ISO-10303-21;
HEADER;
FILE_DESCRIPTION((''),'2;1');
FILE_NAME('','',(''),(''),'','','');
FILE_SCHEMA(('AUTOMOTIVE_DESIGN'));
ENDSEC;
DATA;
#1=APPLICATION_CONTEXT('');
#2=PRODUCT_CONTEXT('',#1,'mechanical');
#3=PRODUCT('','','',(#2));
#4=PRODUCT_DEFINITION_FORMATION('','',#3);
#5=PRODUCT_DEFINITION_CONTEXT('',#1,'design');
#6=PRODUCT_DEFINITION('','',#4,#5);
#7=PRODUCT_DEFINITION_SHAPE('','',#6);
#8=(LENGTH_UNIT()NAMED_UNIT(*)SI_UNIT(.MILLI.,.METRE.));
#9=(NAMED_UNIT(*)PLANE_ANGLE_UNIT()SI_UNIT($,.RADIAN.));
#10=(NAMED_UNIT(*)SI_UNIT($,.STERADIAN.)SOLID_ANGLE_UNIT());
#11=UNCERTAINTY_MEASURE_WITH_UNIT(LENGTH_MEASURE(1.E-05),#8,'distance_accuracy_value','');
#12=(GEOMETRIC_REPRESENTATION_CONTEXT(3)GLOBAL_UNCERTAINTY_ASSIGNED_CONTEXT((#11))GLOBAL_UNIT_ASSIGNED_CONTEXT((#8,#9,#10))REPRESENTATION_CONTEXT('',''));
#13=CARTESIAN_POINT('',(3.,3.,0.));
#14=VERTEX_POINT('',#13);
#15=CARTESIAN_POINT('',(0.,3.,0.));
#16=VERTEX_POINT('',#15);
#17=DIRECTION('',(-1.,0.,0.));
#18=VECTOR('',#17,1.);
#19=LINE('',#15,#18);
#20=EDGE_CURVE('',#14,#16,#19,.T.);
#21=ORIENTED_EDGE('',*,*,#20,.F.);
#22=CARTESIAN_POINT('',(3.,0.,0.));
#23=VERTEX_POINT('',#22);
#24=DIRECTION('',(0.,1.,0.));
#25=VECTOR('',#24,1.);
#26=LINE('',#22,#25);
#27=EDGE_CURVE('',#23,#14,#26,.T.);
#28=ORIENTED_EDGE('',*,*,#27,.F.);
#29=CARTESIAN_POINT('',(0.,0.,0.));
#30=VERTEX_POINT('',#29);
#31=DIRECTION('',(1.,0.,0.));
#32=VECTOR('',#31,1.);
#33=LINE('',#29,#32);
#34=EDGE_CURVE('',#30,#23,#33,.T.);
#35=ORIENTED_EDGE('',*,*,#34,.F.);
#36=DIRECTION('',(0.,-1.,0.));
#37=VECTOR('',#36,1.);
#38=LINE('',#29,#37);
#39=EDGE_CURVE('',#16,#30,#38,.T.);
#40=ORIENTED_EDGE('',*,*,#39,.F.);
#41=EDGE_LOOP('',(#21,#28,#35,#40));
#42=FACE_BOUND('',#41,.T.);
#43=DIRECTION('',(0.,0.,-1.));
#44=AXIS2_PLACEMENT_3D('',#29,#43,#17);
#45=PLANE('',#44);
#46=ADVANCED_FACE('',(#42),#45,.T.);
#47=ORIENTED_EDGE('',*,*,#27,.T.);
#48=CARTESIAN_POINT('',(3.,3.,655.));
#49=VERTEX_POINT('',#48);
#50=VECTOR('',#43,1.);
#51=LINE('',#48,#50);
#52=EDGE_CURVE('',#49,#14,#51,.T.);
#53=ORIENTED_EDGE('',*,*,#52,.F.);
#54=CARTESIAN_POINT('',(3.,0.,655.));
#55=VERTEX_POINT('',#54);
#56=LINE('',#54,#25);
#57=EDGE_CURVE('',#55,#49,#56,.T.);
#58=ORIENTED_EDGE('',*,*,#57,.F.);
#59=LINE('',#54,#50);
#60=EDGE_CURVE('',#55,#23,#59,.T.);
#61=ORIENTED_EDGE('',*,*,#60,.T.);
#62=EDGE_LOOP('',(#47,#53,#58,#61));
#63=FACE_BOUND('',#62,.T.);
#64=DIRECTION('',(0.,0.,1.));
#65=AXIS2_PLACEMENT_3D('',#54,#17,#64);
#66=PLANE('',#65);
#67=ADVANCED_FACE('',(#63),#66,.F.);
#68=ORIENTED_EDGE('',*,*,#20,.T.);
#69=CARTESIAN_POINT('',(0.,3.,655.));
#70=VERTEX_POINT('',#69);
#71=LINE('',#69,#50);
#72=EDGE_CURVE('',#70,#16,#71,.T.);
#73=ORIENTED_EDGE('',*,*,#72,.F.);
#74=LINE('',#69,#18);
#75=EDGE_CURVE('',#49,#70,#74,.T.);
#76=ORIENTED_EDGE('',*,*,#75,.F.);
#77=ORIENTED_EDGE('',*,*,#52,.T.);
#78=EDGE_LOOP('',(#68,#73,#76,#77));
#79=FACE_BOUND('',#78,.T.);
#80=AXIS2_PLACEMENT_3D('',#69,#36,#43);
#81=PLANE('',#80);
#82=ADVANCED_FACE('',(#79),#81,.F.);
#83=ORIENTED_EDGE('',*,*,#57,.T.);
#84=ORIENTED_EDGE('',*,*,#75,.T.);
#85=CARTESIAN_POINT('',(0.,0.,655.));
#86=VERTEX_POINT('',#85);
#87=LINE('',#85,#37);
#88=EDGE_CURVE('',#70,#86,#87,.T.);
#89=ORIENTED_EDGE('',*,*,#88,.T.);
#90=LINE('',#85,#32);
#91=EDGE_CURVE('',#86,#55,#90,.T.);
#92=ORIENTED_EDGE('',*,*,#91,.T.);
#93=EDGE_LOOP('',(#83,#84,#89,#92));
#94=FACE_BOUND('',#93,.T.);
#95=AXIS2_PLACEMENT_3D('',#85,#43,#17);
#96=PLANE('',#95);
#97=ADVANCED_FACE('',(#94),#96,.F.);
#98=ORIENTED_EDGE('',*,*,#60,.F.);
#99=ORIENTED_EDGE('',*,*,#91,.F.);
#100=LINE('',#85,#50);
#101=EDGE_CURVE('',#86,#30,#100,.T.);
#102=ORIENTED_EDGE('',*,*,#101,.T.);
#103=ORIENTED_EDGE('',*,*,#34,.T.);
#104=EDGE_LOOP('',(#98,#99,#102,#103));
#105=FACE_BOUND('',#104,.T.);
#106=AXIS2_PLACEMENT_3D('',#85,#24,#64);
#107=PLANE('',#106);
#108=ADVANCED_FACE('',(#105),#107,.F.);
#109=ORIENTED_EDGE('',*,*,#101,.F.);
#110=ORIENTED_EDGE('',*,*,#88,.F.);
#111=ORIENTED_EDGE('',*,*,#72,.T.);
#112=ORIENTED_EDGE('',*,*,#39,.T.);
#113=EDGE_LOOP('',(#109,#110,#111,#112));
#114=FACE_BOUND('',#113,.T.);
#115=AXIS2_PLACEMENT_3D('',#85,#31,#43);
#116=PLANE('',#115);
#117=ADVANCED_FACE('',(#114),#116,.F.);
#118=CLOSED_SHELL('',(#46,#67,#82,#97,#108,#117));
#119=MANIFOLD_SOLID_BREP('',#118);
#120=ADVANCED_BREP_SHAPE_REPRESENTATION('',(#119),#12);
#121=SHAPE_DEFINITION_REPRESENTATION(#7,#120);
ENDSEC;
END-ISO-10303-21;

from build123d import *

# Parameters (mm, degrees)
SKETCH_1_W      = 3
SKETCH_1_H      = 3
EXTRUDE_1_DEPTH = 655


with BuildPart() as part:
    # 草图1 → 凸台-拉伸1 (new body)
    with BuildSketch(Plane.XY):
        with Locations((1.5, 1.5)):
            Rectangle(SKETCH_1_W, SKETCH_1_H)
    extrude(amount=EXTRUDE_1_DEPTH)


solid = part.part
